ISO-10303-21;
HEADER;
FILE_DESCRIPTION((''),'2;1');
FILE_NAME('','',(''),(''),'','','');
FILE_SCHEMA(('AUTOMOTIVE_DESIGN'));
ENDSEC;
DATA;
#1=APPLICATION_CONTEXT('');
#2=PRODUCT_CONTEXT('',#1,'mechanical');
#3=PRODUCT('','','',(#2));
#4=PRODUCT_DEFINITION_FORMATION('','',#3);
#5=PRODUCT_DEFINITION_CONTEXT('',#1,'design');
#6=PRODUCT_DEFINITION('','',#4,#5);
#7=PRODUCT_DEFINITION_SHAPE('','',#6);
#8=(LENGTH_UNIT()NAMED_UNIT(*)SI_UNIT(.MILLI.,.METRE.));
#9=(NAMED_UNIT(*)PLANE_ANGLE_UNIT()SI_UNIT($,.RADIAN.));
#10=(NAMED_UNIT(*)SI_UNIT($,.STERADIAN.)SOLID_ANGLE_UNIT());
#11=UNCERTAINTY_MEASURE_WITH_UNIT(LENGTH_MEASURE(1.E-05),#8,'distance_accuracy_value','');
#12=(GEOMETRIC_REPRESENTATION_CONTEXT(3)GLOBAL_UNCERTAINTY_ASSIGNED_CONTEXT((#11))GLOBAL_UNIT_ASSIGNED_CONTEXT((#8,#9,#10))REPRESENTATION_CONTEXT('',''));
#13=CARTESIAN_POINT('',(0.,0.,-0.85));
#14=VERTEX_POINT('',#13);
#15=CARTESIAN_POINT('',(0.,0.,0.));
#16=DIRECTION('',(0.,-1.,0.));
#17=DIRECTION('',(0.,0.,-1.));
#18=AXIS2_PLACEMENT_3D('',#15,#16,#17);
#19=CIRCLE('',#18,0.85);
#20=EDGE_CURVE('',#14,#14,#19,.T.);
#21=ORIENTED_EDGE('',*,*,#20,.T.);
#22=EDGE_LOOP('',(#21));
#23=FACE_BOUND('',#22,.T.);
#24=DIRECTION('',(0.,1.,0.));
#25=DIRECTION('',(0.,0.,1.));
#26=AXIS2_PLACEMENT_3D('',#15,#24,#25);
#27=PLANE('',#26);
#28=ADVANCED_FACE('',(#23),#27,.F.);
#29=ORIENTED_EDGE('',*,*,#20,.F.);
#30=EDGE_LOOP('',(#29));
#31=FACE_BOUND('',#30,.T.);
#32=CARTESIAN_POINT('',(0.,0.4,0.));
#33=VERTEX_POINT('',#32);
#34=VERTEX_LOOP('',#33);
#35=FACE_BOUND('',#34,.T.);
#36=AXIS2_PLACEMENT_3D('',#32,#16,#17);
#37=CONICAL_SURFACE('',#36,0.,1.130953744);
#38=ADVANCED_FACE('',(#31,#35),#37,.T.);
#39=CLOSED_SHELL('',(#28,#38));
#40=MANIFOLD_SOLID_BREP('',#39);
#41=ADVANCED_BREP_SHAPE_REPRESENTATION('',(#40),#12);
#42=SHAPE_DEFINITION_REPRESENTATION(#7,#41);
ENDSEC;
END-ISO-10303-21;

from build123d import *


with BuildPart() as part:
    # Esboço1 → Revolução1 (revolve)
    with BuildSketch(Plane.XY, mode=Mode.PRIVATE) as revolu_o1_sk:
        Polygon((0, 0), (0, 0.4), (-0.85, 0), align=None)
    revolve(revolu_o1_sk.sketch.rotate(Axis((0, 0, 0), (0, 1, 0)), 270), axis=Axis((0, 0, 0), (0, 1, 0)))


solid = part.part
